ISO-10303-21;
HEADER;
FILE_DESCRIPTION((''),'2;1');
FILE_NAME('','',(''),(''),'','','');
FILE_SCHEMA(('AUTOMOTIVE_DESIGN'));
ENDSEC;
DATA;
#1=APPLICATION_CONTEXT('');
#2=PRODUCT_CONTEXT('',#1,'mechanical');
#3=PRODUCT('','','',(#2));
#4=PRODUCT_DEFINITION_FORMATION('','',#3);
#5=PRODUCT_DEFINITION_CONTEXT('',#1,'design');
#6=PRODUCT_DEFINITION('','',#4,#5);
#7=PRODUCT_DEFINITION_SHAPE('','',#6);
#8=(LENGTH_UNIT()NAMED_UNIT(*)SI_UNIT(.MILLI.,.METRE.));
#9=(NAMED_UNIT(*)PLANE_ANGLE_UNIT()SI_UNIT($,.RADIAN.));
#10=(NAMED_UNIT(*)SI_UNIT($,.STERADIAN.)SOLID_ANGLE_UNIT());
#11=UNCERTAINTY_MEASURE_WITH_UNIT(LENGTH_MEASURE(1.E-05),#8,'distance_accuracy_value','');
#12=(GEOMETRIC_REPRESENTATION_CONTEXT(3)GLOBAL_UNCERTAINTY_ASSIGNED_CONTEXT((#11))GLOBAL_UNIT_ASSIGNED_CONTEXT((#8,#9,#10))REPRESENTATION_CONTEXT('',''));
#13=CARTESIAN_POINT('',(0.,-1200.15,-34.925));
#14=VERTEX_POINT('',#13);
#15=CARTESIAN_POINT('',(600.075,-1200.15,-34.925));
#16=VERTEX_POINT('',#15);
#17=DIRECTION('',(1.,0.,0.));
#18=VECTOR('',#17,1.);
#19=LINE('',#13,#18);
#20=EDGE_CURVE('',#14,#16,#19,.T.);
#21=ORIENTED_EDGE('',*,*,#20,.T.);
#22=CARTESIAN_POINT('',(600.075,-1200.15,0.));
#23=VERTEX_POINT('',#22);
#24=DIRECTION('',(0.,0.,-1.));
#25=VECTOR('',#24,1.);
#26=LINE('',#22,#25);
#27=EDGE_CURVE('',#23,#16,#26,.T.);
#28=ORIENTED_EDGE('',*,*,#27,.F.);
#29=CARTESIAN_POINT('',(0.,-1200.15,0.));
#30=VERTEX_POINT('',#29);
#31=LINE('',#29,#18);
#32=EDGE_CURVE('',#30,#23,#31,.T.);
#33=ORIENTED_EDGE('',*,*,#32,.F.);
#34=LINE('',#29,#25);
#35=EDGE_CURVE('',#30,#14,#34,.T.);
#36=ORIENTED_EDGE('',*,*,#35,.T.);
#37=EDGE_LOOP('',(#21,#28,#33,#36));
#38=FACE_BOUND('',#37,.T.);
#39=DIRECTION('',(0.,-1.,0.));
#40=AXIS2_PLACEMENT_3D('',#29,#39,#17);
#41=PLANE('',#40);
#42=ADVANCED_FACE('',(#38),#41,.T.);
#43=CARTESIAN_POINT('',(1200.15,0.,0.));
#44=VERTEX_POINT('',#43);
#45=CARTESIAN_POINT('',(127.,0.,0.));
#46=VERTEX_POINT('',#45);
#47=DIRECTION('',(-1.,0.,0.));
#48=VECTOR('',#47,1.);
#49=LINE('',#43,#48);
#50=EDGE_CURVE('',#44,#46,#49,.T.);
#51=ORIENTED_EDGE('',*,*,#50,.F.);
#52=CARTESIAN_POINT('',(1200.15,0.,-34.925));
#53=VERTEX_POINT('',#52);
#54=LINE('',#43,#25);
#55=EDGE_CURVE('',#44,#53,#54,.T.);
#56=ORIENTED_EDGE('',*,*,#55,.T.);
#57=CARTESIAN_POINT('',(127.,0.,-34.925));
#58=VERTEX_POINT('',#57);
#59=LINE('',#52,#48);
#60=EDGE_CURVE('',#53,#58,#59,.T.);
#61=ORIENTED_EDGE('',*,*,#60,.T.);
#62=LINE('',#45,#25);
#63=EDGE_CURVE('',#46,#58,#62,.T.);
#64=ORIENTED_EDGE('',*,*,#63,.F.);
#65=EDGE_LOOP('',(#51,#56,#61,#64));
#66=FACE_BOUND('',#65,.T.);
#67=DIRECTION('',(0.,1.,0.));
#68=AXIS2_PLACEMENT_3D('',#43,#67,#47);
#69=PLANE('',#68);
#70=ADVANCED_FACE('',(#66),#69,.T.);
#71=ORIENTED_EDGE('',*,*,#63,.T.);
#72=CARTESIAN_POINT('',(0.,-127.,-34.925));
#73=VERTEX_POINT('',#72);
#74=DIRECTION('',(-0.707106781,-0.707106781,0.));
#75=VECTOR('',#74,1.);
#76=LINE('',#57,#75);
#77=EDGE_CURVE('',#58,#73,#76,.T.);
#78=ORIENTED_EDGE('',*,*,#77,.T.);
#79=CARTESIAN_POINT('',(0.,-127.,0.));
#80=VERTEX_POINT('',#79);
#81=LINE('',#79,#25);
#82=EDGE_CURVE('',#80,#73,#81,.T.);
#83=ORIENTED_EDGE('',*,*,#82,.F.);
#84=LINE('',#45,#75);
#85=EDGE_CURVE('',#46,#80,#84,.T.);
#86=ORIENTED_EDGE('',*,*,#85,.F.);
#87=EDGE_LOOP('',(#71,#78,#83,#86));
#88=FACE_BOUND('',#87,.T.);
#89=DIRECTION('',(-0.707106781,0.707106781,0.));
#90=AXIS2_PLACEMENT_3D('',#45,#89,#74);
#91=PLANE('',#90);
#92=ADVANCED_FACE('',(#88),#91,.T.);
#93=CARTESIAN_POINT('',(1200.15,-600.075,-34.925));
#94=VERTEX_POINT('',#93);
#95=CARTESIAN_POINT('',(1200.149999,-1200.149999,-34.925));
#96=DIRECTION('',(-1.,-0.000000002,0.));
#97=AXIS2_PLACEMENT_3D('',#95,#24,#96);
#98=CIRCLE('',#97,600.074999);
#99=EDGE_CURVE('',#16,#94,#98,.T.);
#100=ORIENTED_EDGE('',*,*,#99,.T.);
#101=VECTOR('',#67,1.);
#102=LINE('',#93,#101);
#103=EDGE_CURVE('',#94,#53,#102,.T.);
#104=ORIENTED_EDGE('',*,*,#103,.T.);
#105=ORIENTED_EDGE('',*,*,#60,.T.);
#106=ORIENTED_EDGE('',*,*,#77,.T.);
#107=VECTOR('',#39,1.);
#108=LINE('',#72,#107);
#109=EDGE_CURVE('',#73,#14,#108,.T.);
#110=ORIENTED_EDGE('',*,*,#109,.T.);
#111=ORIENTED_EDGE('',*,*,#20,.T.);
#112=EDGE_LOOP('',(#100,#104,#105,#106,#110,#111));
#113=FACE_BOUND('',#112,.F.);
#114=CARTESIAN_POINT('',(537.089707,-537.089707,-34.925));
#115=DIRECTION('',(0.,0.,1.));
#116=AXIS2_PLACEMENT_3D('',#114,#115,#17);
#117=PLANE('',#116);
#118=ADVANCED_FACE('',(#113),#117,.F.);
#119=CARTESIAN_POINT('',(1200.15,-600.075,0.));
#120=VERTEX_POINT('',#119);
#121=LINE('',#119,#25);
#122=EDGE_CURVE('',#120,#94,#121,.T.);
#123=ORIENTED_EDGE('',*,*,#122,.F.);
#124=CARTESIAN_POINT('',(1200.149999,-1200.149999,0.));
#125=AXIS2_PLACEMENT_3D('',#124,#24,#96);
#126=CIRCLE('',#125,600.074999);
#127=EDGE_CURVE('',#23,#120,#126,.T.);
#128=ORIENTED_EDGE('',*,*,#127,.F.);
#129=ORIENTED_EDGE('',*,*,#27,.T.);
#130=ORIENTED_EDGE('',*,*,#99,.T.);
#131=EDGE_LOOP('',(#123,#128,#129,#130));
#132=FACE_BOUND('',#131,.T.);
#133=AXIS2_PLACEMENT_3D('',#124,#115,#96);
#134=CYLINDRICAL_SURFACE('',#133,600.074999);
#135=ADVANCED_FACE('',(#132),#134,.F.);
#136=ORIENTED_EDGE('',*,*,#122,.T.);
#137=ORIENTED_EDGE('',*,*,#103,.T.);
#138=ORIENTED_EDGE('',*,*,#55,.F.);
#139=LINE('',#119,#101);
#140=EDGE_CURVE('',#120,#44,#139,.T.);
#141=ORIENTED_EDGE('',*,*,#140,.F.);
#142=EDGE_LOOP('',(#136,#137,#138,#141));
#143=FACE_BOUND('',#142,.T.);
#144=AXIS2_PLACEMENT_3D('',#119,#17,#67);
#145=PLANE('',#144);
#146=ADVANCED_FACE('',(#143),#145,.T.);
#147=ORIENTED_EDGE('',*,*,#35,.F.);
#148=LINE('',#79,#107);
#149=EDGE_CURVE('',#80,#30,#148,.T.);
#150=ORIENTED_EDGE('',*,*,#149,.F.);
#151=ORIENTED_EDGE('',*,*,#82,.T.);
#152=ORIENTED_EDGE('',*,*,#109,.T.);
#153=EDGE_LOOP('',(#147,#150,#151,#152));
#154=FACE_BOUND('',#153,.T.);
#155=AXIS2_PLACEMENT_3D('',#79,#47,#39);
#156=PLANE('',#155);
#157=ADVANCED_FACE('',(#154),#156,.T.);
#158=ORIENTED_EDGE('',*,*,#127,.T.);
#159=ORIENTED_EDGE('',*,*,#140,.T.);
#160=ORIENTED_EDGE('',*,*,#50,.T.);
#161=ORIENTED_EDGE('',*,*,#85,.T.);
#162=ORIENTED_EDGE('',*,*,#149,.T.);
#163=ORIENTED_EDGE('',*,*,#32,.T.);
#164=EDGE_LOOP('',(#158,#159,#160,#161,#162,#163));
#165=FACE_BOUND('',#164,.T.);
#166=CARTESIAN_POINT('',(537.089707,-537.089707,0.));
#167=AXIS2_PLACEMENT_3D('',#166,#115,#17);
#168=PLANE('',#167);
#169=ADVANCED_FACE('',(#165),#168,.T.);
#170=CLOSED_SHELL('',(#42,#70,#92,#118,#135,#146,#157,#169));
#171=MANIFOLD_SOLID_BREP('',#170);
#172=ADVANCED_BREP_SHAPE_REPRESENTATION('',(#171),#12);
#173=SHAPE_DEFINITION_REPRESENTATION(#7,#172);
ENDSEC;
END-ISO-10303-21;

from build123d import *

# Parameters (mm, degrees)
F1_DEPTH = 34.925


with BuildPart() as f1:
    # F0 (on Top) → F1 (new body)
    with BuildSketch(Plane.XY):
        with BuildLine():
            Line((1200.15, 0), (127, 0))
            Line((127, 0), (0, -127))
            Line((0, -127), (0, -1200.15))
            Line((0, -1200.15), (600.075, -1200.15))
            ThreePointArc((600.075, -1200.15), (775.832898, -775.832898), (1200.15, -600.075))
            Line((1200.15, -600.075), (1200.15, 0))
        make_face()
    extrude(amount=-F1_DEPTH)


solid = f1.part
